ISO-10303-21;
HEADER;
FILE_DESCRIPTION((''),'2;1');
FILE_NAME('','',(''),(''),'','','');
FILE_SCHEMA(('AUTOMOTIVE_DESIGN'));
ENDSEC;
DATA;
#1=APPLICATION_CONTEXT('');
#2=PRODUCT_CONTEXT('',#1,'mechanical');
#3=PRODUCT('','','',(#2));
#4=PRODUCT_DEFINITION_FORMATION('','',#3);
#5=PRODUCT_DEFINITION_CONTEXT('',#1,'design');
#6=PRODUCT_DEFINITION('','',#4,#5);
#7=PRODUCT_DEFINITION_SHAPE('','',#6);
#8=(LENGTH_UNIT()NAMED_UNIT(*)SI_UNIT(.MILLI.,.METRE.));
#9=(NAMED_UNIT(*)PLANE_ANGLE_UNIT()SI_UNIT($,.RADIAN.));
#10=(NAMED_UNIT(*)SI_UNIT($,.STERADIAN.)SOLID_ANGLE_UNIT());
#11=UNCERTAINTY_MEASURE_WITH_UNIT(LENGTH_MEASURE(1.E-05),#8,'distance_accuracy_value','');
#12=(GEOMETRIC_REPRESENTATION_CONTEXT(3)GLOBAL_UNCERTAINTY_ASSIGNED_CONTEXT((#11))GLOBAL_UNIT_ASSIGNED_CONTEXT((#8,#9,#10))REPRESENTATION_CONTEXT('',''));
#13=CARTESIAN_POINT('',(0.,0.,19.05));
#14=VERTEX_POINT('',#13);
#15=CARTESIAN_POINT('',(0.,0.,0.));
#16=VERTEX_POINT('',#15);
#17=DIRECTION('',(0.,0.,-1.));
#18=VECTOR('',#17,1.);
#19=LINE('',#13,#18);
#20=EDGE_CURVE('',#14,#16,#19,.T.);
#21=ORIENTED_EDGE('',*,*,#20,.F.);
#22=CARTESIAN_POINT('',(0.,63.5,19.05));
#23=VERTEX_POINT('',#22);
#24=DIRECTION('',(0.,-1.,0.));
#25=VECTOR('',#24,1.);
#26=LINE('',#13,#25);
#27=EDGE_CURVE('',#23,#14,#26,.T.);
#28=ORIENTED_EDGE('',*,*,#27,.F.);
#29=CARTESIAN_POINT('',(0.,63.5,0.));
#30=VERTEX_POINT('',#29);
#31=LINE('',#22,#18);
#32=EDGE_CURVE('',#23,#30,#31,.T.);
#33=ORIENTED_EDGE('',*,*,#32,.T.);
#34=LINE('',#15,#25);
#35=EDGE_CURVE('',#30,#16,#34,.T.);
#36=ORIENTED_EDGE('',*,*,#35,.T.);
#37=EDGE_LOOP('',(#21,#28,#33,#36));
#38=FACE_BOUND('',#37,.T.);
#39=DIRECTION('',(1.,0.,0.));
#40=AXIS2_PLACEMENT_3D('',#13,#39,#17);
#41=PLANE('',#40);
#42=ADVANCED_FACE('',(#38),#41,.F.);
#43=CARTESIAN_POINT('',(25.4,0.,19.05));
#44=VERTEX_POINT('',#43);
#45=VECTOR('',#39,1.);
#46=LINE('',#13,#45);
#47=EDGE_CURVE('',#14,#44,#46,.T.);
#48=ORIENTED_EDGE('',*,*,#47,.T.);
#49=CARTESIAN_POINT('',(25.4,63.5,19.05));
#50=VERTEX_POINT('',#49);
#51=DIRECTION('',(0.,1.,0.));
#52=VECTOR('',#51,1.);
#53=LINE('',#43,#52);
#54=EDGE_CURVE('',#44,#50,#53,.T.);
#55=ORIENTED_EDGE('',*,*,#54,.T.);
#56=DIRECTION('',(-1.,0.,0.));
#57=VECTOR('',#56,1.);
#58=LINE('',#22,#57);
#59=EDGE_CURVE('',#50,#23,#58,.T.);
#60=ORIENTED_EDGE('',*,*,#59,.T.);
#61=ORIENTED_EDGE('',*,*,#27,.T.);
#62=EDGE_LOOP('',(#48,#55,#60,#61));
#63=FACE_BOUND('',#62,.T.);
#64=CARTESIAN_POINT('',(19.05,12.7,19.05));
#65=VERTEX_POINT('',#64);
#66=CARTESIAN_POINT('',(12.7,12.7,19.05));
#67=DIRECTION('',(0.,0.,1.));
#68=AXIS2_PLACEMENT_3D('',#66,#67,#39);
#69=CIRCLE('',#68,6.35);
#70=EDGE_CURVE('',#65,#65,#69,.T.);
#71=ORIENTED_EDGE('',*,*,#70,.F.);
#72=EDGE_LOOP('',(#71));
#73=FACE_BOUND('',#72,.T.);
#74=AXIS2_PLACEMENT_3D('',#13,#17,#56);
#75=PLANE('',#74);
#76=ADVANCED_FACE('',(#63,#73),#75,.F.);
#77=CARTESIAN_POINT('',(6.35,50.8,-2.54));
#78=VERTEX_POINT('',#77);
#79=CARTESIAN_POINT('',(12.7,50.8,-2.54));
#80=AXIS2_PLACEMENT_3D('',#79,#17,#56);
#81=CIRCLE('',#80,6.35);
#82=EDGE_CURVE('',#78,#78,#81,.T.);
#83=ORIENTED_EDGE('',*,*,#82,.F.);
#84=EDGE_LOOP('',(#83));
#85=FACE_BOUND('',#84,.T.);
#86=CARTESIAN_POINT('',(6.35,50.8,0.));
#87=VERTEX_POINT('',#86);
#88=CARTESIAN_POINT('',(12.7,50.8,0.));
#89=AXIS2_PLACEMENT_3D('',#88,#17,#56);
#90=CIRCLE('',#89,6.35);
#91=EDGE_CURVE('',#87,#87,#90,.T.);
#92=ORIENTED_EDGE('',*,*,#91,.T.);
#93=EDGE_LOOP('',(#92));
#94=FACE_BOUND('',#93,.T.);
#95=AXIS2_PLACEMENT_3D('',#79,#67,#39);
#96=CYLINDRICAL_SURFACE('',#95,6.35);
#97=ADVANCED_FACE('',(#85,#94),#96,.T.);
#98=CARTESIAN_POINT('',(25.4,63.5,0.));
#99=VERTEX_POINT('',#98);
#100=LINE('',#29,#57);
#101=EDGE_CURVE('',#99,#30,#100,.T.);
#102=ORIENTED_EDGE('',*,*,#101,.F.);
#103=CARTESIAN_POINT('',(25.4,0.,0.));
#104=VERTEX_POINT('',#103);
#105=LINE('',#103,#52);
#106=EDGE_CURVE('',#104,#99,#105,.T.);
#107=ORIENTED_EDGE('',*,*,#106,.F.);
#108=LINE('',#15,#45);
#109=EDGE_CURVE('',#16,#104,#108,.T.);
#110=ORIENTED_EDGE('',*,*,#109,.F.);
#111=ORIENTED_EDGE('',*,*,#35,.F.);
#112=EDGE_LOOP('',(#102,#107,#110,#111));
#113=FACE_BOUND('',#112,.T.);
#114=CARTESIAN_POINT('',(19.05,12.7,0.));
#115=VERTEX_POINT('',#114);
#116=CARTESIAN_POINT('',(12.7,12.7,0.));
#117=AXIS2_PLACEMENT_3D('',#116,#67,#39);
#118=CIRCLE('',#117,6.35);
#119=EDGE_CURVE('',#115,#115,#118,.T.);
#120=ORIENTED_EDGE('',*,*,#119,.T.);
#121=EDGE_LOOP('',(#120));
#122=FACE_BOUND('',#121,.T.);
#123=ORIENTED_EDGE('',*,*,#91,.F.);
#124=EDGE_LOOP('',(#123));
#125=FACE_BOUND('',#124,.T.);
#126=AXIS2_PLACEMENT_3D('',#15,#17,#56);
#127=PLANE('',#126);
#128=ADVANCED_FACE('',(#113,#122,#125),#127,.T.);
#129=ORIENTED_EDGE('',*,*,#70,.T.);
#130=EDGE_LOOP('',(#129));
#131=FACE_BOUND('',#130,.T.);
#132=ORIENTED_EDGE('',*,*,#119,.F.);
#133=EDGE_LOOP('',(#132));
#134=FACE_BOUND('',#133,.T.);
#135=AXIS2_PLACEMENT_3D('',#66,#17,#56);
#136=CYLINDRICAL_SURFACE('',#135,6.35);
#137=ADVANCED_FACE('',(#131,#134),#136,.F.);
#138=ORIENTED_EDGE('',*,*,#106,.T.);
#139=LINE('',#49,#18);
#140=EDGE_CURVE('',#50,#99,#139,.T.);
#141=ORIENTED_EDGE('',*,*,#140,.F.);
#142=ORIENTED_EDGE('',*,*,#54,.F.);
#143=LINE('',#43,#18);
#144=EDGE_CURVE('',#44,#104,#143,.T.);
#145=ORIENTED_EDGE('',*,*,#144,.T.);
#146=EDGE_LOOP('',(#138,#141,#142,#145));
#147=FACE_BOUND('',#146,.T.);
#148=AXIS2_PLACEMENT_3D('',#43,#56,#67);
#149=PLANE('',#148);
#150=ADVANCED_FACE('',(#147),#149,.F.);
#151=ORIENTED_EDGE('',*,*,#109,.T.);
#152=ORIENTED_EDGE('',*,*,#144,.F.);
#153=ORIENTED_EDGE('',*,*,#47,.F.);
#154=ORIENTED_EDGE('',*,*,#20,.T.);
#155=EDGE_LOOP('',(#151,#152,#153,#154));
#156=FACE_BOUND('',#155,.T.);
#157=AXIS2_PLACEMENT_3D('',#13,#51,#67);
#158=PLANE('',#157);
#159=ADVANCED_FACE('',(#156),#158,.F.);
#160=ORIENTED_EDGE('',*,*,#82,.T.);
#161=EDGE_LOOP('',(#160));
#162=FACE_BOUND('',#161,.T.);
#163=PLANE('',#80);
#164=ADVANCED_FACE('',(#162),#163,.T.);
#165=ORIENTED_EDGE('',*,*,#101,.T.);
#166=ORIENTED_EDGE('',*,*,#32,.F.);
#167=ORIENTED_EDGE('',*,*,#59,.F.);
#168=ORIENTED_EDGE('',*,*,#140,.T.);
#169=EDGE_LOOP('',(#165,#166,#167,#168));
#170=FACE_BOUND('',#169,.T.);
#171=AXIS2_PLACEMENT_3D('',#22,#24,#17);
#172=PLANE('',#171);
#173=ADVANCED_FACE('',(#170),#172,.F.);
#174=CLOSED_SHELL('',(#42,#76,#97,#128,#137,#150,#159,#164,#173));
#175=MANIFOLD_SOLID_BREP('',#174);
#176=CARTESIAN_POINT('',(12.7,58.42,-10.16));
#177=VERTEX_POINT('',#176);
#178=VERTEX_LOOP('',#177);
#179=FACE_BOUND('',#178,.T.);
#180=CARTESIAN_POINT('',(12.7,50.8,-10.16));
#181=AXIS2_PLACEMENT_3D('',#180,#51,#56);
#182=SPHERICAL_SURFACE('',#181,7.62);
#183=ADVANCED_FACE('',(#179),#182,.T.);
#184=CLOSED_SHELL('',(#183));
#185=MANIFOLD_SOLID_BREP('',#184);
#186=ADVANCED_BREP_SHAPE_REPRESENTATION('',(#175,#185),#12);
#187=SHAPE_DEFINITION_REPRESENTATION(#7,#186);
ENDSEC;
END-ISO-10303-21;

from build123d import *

# Parameters (mm, degrees)
SKETCH1_W           = 25.4
SKETCH1_H           = 63.5
SKETCH1_R           = 6.35
BOSS_EXTRUDE1_DEPTH = 19.05
SKETCH3_R           = 6.35
BOSS_EXTRUDE3_DEPTH = 2.54


with BuildPart() as part:
    # Sketch1 → Boss-Extrude1 (new body)
    with BuildSketch(Plane.XY):
        with Locations((12.7, 31.75)):
            Rectangle(SKETCH1_W, SKETCH1_H)
        with Locations((12.7, 12.7)):
            Circle(SKETCH1_R, mode=Mode.SUBTRACT)
    extrude(amount=BOSS_EXTRUDE1_DEPTH)

    # Sketch3 → Boss-Extrude3 (add)
    with BuildSketch(Plane(origin=(0, 0, 0), x_dir=(-1, 0, 0), z_dir=(0, 0, -1))):
        with Locations((-12.7, 50.8)):
            Circle(SKETCH3_R)
    extrude(amount=BOSS_EXTRUDE3_DEPTH)


with BuildPart() as body_2:
    # Sketch4 → Revolve1 (revolve)
    with BuildSketch(Plane(origin=(0, 0, -10.16), x_dir=(-1, 0, 0), z_dir=(0, 0, -1))):
        with BuildLine():
            Line((-12.7, 58.42), (-12.7, 43.18))
            ThreePointArc((-12.7, 43.18), (-20.32, 50.8), (-12.7, 58.42))
        make_face()
    revolve(axis=Axis((12.7, 58.42, -10.16), (0, -1, 0)))


solid = Compound([part.part, body_2.part])
